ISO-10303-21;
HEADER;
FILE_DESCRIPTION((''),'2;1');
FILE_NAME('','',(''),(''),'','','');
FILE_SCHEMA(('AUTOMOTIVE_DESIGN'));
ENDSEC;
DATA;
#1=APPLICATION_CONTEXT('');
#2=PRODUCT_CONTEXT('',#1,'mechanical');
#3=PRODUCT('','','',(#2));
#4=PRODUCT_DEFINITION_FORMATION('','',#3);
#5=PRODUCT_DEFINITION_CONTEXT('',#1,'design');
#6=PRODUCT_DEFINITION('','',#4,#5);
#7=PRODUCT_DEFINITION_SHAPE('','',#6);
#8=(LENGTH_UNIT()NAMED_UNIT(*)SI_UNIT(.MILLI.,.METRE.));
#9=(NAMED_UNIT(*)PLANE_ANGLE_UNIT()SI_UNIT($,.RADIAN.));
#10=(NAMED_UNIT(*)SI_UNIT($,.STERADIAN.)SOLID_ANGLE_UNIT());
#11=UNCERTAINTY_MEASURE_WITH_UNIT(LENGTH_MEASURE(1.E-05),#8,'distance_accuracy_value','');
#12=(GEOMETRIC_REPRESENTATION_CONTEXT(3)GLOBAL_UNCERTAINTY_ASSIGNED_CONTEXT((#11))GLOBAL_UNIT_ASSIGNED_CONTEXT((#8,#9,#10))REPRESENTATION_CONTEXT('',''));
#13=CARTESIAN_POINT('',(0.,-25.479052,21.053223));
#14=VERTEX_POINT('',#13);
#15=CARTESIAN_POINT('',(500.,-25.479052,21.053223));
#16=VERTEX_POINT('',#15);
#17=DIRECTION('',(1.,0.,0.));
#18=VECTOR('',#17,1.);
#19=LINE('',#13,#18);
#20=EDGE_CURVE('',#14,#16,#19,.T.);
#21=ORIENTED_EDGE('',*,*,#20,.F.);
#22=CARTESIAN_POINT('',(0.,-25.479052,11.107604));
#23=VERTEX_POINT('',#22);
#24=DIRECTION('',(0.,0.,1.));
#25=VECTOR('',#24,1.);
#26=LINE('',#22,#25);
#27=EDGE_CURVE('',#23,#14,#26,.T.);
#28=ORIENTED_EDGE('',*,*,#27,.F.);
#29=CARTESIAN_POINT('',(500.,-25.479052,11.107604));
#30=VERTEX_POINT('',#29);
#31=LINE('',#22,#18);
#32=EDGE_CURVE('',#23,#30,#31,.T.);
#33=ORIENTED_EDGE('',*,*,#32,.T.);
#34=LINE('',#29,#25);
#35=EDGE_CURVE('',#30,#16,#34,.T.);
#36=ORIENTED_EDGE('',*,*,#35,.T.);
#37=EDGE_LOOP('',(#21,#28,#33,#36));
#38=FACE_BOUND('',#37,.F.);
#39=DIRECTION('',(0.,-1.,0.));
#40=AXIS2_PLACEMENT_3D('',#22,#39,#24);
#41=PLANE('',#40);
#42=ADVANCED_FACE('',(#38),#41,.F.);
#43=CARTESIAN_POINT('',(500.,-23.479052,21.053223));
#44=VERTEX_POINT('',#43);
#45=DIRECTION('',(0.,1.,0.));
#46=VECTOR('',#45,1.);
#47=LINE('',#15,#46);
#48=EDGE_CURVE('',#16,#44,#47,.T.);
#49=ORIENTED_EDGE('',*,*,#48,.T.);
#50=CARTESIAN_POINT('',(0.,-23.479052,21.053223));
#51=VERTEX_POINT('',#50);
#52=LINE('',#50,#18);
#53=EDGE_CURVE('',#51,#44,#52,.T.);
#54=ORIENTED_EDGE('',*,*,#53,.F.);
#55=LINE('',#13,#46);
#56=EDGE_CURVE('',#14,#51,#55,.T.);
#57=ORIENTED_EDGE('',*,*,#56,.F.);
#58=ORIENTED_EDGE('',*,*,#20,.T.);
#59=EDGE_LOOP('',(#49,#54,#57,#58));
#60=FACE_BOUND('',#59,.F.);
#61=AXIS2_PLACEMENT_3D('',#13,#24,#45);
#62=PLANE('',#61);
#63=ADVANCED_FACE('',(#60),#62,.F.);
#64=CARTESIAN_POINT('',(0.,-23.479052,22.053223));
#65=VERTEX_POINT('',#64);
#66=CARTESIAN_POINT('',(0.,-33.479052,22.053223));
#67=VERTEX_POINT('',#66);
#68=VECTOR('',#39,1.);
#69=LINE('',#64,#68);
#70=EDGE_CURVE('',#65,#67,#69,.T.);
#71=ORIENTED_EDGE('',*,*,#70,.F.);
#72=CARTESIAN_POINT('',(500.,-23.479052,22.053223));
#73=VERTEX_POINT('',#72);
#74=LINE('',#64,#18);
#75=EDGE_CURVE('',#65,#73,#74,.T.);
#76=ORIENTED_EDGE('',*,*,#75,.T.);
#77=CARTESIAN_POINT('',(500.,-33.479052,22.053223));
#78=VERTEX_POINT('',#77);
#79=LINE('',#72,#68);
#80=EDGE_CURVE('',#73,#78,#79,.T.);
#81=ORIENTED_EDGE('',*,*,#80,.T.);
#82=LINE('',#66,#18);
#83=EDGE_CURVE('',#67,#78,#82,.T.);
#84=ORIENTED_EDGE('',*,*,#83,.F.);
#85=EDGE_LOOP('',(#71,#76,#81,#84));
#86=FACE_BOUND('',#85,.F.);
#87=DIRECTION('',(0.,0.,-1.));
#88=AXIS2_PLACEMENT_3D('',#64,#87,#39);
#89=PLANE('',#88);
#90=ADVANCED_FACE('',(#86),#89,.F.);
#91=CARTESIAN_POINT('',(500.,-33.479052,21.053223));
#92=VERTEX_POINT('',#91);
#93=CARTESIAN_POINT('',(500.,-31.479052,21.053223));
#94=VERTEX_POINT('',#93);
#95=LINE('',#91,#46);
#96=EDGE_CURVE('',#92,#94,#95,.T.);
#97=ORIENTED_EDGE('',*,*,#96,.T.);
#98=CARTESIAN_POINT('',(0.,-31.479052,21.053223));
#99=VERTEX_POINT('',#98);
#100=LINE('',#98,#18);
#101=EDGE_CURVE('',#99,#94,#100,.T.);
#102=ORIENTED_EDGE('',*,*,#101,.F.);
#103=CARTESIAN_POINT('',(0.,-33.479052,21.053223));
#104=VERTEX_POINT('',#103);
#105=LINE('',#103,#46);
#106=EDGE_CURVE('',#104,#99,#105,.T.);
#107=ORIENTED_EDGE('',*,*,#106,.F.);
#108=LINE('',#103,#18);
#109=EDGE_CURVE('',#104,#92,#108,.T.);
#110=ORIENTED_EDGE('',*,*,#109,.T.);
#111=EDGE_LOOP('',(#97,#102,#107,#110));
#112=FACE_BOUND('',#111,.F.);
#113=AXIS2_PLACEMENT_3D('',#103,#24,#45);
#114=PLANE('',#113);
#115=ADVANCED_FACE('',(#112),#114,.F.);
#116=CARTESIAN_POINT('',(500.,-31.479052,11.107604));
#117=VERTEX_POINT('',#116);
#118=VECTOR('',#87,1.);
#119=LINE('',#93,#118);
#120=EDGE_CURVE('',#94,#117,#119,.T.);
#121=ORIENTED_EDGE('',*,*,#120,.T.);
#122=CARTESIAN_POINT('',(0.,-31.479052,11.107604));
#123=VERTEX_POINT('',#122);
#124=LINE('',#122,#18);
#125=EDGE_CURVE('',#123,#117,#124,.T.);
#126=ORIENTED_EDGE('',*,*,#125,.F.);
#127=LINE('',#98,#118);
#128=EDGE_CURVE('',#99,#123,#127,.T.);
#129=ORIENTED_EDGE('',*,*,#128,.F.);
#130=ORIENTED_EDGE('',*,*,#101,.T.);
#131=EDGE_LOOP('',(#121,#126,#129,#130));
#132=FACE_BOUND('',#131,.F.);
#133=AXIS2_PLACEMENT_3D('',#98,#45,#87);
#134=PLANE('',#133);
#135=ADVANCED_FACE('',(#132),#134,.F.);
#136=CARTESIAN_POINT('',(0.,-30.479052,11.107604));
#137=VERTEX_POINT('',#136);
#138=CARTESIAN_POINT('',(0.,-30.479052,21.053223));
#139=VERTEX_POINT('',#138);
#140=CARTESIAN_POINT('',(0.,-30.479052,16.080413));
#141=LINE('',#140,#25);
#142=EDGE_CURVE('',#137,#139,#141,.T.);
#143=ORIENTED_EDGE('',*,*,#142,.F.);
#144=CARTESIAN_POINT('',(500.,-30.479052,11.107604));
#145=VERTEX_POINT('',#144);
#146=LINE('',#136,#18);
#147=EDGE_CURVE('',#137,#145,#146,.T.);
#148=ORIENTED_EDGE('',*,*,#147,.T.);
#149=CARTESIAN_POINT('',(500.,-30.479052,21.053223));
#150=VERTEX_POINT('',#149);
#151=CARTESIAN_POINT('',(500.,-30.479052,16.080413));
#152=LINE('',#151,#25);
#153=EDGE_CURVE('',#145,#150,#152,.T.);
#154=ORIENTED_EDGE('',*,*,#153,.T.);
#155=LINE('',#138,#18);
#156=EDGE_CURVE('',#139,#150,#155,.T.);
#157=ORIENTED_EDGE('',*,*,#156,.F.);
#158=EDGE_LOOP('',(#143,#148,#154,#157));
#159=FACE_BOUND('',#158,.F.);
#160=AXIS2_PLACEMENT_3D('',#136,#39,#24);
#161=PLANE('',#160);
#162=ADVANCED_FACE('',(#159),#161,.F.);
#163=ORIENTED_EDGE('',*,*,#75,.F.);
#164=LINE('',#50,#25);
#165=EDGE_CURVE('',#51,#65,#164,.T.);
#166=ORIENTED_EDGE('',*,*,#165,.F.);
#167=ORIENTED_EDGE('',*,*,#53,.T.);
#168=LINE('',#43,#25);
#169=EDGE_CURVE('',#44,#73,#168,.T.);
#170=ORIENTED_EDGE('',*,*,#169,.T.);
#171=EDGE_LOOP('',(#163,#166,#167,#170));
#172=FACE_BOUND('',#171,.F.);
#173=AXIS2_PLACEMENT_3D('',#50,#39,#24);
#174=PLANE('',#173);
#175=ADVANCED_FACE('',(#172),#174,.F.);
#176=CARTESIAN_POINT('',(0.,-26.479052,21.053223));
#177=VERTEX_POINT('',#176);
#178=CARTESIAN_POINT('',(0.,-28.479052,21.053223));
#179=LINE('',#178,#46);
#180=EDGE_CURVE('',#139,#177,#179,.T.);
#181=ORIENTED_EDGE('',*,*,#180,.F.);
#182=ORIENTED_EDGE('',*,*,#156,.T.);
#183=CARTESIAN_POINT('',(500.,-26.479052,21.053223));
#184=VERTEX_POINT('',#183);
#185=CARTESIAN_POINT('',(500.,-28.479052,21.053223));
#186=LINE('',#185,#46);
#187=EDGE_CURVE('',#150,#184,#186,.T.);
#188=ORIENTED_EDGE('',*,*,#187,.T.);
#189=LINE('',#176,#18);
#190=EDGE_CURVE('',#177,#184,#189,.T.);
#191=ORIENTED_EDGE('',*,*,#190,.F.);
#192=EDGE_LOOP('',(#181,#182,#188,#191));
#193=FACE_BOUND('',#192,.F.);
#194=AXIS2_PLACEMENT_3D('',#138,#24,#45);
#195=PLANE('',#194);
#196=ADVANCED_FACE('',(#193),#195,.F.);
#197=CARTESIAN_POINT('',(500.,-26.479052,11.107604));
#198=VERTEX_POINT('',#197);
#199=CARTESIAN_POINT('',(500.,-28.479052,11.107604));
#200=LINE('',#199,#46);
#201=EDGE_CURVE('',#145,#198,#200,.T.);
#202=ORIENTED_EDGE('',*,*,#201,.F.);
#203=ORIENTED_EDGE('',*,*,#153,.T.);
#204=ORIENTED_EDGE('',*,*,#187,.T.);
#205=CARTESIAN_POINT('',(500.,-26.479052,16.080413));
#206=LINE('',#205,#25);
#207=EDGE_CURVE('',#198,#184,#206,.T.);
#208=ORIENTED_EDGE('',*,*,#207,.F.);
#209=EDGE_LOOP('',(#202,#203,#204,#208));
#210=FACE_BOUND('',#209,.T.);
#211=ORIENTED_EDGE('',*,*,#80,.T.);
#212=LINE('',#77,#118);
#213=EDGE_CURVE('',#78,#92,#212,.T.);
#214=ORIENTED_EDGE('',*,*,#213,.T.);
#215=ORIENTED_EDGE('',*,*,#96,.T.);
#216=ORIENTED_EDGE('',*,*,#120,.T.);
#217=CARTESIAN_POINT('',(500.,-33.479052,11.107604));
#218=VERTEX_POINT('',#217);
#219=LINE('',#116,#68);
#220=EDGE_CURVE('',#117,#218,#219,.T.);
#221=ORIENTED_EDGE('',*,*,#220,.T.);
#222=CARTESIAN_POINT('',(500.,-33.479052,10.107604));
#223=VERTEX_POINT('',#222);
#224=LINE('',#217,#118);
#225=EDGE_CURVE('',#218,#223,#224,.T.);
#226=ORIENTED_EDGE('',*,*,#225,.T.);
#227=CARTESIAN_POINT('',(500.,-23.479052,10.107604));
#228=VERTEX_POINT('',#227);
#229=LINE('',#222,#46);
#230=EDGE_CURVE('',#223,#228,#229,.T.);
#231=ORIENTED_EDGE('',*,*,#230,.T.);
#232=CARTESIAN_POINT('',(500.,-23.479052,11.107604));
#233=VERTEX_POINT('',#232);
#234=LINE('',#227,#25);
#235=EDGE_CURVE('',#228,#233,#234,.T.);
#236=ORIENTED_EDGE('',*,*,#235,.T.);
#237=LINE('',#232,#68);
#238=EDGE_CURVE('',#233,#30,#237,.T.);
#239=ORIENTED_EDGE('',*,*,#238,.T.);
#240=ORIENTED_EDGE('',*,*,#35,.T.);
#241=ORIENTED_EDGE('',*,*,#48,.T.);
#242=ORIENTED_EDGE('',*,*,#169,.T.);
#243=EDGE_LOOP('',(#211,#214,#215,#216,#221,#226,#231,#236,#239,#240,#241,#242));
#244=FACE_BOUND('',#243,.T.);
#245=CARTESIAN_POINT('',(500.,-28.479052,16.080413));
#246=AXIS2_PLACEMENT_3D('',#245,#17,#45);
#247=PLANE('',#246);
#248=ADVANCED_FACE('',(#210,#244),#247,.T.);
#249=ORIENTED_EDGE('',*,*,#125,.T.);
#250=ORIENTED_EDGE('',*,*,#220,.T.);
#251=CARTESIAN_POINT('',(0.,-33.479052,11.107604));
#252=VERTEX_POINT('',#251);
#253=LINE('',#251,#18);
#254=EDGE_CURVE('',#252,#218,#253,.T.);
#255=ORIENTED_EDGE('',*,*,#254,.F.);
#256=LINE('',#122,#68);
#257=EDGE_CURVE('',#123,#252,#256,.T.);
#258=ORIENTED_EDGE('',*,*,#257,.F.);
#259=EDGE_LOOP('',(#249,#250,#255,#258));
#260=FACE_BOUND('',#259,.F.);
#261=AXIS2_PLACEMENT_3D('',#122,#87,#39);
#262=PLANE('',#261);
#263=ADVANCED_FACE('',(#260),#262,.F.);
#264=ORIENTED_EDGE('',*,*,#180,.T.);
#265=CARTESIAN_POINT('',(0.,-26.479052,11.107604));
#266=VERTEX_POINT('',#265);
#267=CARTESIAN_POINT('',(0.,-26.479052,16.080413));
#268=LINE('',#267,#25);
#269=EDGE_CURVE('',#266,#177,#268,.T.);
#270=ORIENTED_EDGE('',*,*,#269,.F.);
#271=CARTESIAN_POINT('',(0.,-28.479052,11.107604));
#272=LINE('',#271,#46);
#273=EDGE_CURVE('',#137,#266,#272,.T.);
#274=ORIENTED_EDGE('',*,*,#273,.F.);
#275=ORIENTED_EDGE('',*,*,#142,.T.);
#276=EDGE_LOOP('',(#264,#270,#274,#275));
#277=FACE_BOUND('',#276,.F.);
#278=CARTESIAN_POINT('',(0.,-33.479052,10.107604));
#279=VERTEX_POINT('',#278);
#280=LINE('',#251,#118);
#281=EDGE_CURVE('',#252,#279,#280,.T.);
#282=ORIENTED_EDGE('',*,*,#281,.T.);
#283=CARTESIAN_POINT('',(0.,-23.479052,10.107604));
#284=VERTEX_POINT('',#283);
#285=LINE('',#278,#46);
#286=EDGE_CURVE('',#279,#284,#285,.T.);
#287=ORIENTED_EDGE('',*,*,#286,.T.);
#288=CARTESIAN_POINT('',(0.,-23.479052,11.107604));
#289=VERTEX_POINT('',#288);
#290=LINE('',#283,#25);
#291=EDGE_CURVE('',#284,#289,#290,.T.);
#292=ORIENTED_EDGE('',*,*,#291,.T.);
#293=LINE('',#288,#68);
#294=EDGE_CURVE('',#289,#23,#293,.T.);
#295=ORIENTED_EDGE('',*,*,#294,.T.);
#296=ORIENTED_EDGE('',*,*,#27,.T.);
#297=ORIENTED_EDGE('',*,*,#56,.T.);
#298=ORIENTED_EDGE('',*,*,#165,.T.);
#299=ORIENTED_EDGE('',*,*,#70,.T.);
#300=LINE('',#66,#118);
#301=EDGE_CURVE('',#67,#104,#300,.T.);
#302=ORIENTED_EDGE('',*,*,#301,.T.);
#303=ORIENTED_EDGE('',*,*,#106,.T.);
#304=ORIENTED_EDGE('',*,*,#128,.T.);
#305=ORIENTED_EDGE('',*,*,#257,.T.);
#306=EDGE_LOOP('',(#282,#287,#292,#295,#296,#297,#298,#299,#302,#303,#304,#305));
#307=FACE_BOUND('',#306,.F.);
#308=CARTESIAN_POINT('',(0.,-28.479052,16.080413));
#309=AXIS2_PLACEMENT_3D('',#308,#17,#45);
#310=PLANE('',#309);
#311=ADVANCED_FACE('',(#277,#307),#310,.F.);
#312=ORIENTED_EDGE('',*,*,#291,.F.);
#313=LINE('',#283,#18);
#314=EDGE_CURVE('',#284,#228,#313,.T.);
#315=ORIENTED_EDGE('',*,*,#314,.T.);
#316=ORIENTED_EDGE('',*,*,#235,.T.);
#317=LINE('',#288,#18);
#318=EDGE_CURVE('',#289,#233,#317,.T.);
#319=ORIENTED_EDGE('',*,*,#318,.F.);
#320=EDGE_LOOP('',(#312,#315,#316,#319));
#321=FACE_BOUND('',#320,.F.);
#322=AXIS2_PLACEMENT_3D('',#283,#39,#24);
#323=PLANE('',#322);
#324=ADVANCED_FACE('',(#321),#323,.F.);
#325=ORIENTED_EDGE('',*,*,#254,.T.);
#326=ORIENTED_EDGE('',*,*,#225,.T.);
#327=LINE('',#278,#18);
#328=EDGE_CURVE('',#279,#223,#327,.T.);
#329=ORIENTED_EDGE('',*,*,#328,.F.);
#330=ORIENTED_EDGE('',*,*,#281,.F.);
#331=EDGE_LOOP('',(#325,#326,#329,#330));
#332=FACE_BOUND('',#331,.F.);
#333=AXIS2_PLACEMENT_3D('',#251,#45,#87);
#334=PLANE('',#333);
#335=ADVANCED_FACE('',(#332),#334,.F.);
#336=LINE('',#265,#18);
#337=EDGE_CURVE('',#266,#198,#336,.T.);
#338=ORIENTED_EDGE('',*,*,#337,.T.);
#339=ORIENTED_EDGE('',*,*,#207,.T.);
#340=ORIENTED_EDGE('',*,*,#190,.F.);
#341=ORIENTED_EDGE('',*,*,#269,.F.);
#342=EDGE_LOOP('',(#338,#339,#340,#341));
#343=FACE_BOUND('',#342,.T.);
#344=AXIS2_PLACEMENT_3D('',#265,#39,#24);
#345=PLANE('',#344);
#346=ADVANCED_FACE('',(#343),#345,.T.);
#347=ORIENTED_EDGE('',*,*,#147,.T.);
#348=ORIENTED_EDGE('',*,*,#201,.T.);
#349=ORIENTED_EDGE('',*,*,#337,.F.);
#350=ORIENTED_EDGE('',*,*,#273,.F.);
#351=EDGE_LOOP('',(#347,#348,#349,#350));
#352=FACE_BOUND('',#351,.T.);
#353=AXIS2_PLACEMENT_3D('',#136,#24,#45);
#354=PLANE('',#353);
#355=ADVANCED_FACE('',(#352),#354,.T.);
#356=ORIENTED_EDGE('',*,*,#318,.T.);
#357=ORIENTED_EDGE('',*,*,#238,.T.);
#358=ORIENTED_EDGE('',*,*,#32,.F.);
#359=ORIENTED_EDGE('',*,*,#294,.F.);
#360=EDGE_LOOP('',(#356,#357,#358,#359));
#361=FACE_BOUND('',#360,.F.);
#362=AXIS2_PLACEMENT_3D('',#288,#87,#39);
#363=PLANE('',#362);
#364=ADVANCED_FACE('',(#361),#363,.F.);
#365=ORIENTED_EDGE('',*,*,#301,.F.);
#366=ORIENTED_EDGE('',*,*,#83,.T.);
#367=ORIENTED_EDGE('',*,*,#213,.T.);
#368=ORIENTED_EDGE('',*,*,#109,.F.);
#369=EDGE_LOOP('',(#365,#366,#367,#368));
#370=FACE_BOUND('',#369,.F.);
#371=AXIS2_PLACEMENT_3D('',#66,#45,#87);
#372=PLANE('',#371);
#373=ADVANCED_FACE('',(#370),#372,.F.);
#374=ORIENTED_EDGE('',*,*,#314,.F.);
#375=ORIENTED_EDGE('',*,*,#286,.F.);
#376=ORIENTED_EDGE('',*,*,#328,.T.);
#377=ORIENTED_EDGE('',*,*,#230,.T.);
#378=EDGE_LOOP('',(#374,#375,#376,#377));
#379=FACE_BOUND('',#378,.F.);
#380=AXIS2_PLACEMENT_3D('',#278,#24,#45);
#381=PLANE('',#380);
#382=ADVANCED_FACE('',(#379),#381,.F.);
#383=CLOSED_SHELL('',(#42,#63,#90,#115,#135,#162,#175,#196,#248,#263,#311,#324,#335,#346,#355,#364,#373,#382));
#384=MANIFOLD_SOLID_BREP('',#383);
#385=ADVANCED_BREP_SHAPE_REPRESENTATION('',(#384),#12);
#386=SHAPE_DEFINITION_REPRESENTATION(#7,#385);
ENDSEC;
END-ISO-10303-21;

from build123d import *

# Parameters (mm, degrees)
F0_W     = 4
F0_H     = 9.9456192771
F1_DEPTH = 500


with BuildPart() as f1:
    # F0 (on Right) → F1 (new body)
    with BuildSketch(Plane.YZ):
        Polygon((-23.479051888, 22.0532231033), (-33.479051888, 22.0532231033), (-33.479051888, 21.0532231033), (-31.479051888, 21.0532231033), (-31.479051888, 11.1076038262), (-33.479051888, 11.1076038262), (-33.479051888, 10.1076038262), (-23.479051888, 10.1076038262), (-23.479051888, 11.1076038262), (-25.479051888, 11.1076038262), (-25.479051888, 21.0532231033), (-23.479051888, 21.0532231033), align=None)
        with Locations((-28.479051888, 16.0804134647)):
            Rectangle(F0_W, F0_H, mode=Mode.SUBTRACT)
    extrude(amount=F1_DEPTH)


solid = f1.part
